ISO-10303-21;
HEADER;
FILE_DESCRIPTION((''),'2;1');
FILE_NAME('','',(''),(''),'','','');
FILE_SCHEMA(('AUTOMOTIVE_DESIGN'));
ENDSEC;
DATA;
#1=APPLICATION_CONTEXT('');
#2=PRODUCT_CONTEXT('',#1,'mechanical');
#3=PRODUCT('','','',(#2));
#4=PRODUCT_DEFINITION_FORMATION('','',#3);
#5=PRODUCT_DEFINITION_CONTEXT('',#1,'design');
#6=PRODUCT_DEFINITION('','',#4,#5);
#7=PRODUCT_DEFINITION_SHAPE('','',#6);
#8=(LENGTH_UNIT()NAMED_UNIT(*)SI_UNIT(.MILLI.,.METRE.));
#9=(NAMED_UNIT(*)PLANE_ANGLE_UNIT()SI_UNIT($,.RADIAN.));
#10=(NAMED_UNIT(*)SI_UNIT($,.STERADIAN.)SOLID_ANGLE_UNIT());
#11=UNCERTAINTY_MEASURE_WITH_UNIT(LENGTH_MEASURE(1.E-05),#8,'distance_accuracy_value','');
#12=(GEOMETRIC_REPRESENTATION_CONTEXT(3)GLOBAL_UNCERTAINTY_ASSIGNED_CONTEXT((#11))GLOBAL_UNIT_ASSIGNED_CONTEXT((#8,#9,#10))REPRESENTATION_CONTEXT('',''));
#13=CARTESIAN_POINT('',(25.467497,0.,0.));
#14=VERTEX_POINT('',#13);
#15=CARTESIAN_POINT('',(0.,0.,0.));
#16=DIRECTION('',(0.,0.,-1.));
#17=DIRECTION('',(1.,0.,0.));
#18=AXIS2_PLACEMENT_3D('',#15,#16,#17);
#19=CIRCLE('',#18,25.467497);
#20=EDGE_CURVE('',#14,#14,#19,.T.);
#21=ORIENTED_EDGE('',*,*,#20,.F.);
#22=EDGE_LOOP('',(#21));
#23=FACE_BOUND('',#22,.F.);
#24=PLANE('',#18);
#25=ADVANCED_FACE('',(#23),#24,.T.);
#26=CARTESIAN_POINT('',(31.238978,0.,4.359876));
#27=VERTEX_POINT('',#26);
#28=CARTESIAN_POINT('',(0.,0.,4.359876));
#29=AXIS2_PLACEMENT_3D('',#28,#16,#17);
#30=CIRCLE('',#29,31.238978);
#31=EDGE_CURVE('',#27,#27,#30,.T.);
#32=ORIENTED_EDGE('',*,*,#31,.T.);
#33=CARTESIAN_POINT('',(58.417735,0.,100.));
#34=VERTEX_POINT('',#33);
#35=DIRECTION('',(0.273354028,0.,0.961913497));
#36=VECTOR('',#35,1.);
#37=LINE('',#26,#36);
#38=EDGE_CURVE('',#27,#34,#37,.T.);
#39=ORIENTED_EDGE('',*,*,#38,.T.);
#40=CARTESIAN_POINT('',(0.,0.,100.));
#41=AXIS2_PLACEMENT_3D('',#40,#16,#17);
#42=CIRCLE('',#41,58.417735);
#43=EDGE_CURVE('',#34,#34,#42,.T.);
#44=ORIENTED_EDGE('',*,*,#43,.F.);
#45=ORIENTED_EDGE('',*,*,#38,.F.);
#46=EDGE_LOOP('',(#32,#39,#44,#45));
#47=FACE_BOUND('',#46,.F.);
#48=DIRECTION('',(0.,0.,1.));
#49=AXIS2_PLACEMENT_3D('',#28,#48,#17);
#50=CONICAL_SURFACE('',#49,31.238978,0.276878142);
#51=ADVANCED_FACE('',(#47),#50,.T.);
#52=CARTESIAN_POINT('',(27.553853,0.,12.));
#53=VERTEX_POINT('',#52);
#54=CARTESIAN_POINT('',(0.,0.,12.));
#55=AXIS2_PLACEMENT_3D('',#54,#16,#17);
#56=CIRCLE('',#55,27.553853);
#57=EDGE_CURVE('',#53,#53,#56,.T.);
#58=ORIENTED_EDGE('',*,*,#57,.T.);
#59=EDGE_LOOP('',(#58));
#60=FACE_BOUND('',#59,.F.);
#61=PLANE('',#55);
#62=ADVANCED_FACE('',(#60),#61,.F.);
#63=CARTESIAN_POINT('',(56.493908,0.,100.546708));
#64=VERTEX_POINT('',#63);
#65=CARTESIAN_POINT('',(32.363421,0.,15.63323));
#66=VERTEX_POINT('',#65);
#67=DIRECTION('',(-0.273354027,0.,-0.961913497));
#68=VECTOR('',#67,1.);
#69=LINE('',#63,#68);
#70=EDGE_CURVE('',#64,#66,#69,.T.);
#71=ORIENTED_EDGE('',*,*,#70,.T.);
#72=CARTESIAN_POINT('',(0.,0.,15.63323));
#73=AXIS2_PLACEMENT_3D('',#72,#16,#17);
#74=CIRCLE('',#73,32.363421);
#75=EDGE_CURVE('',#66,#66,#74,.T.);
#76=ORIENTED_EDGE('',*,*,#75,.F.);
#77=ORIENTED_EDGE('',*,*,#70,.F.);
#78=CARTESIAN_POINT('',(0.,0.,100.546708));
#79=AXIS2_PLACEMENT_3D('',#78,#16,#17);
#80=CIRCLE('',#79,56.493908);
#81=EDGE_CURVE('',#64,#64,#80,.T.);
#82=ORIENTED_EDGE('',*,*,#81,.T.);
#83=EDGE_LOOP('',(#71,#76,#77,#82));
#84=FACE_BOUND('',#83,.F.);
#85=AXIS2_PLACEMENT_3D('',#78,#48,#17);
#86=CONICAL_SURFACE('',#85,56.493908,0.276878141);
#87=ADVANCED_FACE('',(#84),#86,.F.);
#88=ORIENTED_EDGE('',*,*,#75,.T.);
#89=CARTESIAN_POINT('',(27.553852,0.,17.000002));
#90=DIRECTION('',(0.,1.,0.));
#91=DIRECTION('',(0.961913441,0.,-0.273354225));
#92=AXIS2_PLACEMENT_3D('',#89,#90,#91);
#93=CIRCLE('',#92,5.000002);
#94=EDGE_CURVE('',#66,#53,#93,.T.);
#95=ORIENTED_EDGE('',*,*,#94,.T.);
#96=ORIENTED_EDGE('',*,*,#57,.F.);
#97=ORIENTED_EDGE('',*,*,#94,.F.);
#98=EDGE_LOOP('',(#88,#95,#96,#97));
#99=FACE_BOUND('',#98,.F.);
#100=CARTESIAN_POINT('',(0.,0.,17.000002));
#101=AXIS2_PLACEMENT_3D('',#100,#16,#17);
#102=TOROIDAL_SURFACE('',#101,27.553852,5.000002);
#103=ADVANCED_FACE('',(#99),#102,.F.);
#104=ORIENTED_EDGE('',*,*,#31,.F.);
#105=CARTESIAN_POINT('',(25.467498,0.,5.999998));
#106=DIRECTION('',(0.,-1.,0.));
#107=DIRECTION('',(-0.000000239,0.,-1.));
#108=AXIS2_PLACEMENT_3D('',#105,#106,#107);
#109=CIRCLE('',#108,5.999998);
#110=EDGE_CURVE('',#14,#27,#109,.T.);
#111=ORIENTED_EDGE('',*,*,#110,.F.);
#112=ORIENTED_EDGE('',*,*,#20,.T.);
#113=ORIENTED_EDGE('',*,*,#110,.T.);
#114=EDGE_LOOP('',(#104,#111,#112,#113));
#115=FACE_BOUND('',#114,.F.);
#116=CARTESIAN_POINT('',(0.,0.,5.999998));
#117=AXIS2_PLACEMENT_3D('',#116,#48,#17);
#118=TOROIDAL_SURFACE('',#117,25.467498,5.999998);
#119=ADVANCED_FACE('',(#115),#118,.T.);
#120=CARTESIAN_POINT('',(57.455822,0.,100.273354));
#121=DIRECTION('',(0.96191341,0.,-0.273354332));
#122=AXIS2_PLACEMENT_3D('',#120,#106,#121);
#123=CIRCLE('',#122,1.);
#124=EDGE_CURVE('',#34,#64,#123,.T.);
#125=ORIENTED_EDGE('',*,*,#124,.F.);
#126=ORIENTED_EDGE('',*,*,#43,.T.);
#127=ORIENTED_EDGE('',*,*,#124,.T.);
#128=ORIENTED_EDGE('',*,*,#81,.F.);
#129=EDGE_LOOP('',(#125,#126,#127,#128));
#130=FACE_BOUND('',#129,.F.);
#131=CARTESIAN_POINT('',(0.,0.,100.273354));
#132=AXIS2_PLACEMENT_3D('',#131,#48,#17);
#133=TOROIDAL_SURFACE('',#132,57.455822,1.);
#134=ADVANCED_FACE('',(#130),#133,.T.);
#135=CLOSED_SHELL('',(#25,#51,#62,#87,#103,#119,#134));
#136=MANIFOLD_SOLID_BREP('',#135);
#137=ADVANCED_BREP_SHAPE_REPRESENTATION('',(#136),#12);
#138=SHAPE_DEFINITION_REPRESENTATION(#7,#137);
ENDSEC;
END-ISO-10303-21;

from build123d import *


with BuildPart() as f1:
    # F0 (on Front) → F1 (revolve)
    with BuildSketch(Plane.XZ):
        with BuildLine():
            Line((0, 12), (0, 0))
            Line((0, 0), (25.467497, 0))
            ThreePointArc((25.467497, 0), (29.084074, 1.212477), (31.238978, 4.359876))
            Line((31.238978, 4.359876), (58.417735, 100))
            ThreePointArc((58.417735, 100), (57.729175, 101.235268), (56.493908, 100.546708))
            Line((56.493908, 100.546708), (32.363421, 15.63323))
            ThreePointArc((32.363421, 15.63323), (30.567667, 13.010398), (27.553853, 12))
            Line((27.553853, 12), (0, 12))
        make_face()
    revolve(axis=Axis((0, 0, 6), (0, 0, -1)))


solid = f1.part
